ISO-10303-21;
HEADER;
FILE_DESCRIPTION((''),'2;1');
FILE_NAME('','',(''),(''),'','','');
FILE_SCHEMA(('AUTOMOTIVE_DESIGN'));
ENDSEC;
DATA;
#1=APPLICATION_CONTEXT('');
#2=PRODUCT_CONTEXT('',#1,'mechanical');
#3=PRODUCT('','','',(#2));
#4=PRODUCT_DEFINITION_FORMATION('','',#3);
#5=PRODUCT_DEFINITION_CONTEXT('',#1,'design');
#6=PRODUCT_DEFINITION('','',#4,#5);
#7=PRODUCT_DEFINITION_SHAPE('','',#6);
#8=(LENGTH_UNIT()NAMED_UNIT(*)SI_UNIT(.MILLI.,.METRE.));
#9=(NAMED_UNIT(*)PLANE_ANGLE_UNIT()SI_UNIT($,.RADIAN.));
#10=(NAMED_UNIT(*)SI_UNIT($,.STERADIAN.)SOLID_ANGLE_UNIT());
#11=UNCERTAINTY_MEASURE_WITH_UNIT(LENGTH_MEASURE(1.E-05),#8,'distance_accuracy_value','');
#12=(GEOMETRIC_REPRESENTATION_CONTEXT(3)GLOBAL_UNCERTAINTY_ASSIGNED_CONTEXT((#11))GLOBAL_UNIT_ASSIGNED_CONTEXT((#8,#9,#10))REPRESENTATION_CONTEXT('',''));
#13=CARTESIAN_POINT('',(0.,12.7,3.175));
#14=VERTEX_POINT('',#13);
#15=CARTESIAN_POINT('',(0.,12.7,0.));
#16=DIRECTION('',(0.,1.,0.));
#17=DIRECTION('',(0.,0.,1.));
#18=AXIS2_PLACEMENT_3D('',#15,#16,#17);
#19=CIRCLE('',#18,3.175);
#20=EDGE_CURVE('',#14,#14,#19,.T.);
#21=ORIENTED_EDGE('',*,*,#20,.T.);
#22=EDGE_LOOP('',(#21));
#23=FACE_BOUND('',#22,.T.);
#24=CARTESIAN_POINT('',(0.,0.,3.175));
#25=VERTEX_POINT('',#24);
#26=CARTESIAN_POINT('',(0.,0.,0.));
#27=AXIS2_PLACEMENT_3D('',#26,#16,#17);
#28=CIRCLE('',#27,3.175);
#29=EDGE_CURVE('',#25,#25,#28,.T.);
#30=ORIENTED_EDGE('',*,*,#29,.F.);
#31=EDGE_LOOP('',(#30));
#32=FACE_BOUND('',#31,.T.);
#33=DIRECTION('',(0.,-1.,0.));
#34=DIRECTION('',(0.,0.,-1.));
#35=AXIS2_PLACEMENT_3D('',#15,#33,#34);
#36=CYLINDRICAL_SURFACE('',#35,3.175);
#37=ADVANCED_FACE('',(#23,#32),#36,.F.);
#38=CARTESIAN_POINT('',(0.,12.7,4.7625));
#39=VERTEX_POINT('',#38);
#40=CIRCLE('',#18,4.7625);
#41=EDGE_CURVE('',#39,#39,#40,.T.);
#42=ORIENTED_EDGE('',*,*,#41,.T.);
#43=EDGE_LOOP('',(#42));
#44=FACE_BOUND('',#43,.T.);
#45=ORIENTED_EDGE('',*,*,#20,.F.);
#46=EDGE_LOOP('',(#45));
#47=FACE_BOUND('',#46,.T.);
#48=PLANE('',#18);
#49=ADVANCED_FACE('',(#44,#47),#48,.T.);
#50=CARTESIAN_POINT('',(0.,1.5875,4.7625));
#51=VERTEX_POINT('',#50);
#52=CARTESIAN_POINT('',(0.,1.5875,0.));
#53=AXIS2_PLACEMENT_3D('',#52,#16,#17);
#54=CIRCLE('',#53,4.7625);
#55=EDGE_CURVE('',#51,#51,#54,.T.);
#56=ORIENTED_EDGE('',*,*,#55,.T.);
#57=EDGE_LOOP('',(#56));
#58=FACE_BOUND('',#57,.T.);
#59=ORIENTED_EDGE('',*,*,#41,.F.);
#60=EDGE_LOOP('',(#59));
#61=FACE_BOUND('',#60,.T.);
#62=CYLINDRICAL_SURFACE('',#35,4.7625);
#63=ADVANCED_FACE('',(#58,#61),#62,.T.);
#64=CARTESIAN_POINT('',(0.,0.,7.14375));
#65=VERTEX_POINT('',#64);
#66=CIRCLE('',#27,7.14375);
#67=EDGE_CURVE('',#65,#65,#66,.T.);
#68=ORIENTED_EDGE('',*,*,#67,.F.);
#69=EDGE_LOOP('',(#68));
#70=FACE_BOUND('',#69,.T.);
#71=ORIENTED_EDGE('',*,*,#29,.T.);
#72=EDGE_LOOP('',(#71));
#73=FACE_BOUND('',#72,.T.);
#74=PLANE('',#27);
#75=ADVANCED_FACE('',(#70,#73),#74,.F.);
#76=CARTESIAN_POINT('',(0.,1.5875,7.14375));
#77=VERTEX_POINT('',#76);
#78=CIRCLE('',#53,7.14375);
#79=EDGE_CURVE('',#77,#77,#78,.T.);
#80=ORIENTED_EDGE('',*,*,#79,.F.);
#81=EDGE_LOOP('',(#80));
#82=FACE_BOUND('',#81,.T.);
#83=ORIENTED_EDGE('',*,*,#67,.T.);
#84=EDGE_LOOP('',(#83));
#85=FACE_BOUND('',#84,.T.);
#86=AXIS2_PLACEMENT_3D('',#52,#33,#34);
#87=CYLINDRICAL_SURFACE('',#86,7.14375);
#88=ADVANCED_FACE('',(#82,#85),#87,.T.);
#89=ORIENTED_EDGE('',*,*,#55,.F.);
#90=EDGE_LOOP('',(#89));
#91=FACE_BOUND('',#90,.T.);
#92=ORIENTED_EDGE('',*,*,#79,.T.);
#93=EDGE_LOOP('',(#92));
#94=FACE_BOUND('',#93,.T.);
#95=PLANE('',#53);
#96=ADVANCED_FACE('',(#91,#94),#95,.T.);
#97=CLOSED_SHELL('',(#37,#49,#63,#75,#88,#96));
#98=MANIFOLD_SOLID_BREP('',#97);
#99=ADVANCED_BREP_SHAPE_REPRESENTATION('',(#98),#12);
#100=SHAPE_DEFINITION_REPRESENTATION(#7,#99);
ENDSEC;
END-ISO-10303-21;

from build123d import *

# Parameters (mm, degrees)
SKETCH2_R           = 4.7625
SKETCH2_R_2         = 3.175
BOSS_EXTRUDE1_DEPTH = 12.7
SKETCH3_R           = 7.14375
SKETCH3_R_2         = 4.7625
BOSS_EXTRUDE2_DEPTH = 1.5875


with BuildPart() as part:
    # Sketch2 → Boss-Extrude1 (new body)
    with BuildSketch(Plane(origin=(0, 0, 0), x_dir=(1, 0, 0), z_dir=(0, 1, 0))):
        Circle(SKETCH2_R)
        Circle(SKETCH2_R_2, mode=Mode.SUBTRACT)
    extrude(amount=BOSS_EXTRUDE1_DEPTH)

    # Sketch3 → Boss-Extrude2 (add)
    with BuildSketch(Plane(origin=(0, 0, 0), x_dir=(1, 0, 0), z_dir=(0, 1, 0))):
        Circle(SKETCH3_R)
        Circle(SKETCH3_R_2, mode=Mode.SUBTRACT)
    extrude(amount=BOSS_EXTRUDE2_DEPTH)


solid = part.part
